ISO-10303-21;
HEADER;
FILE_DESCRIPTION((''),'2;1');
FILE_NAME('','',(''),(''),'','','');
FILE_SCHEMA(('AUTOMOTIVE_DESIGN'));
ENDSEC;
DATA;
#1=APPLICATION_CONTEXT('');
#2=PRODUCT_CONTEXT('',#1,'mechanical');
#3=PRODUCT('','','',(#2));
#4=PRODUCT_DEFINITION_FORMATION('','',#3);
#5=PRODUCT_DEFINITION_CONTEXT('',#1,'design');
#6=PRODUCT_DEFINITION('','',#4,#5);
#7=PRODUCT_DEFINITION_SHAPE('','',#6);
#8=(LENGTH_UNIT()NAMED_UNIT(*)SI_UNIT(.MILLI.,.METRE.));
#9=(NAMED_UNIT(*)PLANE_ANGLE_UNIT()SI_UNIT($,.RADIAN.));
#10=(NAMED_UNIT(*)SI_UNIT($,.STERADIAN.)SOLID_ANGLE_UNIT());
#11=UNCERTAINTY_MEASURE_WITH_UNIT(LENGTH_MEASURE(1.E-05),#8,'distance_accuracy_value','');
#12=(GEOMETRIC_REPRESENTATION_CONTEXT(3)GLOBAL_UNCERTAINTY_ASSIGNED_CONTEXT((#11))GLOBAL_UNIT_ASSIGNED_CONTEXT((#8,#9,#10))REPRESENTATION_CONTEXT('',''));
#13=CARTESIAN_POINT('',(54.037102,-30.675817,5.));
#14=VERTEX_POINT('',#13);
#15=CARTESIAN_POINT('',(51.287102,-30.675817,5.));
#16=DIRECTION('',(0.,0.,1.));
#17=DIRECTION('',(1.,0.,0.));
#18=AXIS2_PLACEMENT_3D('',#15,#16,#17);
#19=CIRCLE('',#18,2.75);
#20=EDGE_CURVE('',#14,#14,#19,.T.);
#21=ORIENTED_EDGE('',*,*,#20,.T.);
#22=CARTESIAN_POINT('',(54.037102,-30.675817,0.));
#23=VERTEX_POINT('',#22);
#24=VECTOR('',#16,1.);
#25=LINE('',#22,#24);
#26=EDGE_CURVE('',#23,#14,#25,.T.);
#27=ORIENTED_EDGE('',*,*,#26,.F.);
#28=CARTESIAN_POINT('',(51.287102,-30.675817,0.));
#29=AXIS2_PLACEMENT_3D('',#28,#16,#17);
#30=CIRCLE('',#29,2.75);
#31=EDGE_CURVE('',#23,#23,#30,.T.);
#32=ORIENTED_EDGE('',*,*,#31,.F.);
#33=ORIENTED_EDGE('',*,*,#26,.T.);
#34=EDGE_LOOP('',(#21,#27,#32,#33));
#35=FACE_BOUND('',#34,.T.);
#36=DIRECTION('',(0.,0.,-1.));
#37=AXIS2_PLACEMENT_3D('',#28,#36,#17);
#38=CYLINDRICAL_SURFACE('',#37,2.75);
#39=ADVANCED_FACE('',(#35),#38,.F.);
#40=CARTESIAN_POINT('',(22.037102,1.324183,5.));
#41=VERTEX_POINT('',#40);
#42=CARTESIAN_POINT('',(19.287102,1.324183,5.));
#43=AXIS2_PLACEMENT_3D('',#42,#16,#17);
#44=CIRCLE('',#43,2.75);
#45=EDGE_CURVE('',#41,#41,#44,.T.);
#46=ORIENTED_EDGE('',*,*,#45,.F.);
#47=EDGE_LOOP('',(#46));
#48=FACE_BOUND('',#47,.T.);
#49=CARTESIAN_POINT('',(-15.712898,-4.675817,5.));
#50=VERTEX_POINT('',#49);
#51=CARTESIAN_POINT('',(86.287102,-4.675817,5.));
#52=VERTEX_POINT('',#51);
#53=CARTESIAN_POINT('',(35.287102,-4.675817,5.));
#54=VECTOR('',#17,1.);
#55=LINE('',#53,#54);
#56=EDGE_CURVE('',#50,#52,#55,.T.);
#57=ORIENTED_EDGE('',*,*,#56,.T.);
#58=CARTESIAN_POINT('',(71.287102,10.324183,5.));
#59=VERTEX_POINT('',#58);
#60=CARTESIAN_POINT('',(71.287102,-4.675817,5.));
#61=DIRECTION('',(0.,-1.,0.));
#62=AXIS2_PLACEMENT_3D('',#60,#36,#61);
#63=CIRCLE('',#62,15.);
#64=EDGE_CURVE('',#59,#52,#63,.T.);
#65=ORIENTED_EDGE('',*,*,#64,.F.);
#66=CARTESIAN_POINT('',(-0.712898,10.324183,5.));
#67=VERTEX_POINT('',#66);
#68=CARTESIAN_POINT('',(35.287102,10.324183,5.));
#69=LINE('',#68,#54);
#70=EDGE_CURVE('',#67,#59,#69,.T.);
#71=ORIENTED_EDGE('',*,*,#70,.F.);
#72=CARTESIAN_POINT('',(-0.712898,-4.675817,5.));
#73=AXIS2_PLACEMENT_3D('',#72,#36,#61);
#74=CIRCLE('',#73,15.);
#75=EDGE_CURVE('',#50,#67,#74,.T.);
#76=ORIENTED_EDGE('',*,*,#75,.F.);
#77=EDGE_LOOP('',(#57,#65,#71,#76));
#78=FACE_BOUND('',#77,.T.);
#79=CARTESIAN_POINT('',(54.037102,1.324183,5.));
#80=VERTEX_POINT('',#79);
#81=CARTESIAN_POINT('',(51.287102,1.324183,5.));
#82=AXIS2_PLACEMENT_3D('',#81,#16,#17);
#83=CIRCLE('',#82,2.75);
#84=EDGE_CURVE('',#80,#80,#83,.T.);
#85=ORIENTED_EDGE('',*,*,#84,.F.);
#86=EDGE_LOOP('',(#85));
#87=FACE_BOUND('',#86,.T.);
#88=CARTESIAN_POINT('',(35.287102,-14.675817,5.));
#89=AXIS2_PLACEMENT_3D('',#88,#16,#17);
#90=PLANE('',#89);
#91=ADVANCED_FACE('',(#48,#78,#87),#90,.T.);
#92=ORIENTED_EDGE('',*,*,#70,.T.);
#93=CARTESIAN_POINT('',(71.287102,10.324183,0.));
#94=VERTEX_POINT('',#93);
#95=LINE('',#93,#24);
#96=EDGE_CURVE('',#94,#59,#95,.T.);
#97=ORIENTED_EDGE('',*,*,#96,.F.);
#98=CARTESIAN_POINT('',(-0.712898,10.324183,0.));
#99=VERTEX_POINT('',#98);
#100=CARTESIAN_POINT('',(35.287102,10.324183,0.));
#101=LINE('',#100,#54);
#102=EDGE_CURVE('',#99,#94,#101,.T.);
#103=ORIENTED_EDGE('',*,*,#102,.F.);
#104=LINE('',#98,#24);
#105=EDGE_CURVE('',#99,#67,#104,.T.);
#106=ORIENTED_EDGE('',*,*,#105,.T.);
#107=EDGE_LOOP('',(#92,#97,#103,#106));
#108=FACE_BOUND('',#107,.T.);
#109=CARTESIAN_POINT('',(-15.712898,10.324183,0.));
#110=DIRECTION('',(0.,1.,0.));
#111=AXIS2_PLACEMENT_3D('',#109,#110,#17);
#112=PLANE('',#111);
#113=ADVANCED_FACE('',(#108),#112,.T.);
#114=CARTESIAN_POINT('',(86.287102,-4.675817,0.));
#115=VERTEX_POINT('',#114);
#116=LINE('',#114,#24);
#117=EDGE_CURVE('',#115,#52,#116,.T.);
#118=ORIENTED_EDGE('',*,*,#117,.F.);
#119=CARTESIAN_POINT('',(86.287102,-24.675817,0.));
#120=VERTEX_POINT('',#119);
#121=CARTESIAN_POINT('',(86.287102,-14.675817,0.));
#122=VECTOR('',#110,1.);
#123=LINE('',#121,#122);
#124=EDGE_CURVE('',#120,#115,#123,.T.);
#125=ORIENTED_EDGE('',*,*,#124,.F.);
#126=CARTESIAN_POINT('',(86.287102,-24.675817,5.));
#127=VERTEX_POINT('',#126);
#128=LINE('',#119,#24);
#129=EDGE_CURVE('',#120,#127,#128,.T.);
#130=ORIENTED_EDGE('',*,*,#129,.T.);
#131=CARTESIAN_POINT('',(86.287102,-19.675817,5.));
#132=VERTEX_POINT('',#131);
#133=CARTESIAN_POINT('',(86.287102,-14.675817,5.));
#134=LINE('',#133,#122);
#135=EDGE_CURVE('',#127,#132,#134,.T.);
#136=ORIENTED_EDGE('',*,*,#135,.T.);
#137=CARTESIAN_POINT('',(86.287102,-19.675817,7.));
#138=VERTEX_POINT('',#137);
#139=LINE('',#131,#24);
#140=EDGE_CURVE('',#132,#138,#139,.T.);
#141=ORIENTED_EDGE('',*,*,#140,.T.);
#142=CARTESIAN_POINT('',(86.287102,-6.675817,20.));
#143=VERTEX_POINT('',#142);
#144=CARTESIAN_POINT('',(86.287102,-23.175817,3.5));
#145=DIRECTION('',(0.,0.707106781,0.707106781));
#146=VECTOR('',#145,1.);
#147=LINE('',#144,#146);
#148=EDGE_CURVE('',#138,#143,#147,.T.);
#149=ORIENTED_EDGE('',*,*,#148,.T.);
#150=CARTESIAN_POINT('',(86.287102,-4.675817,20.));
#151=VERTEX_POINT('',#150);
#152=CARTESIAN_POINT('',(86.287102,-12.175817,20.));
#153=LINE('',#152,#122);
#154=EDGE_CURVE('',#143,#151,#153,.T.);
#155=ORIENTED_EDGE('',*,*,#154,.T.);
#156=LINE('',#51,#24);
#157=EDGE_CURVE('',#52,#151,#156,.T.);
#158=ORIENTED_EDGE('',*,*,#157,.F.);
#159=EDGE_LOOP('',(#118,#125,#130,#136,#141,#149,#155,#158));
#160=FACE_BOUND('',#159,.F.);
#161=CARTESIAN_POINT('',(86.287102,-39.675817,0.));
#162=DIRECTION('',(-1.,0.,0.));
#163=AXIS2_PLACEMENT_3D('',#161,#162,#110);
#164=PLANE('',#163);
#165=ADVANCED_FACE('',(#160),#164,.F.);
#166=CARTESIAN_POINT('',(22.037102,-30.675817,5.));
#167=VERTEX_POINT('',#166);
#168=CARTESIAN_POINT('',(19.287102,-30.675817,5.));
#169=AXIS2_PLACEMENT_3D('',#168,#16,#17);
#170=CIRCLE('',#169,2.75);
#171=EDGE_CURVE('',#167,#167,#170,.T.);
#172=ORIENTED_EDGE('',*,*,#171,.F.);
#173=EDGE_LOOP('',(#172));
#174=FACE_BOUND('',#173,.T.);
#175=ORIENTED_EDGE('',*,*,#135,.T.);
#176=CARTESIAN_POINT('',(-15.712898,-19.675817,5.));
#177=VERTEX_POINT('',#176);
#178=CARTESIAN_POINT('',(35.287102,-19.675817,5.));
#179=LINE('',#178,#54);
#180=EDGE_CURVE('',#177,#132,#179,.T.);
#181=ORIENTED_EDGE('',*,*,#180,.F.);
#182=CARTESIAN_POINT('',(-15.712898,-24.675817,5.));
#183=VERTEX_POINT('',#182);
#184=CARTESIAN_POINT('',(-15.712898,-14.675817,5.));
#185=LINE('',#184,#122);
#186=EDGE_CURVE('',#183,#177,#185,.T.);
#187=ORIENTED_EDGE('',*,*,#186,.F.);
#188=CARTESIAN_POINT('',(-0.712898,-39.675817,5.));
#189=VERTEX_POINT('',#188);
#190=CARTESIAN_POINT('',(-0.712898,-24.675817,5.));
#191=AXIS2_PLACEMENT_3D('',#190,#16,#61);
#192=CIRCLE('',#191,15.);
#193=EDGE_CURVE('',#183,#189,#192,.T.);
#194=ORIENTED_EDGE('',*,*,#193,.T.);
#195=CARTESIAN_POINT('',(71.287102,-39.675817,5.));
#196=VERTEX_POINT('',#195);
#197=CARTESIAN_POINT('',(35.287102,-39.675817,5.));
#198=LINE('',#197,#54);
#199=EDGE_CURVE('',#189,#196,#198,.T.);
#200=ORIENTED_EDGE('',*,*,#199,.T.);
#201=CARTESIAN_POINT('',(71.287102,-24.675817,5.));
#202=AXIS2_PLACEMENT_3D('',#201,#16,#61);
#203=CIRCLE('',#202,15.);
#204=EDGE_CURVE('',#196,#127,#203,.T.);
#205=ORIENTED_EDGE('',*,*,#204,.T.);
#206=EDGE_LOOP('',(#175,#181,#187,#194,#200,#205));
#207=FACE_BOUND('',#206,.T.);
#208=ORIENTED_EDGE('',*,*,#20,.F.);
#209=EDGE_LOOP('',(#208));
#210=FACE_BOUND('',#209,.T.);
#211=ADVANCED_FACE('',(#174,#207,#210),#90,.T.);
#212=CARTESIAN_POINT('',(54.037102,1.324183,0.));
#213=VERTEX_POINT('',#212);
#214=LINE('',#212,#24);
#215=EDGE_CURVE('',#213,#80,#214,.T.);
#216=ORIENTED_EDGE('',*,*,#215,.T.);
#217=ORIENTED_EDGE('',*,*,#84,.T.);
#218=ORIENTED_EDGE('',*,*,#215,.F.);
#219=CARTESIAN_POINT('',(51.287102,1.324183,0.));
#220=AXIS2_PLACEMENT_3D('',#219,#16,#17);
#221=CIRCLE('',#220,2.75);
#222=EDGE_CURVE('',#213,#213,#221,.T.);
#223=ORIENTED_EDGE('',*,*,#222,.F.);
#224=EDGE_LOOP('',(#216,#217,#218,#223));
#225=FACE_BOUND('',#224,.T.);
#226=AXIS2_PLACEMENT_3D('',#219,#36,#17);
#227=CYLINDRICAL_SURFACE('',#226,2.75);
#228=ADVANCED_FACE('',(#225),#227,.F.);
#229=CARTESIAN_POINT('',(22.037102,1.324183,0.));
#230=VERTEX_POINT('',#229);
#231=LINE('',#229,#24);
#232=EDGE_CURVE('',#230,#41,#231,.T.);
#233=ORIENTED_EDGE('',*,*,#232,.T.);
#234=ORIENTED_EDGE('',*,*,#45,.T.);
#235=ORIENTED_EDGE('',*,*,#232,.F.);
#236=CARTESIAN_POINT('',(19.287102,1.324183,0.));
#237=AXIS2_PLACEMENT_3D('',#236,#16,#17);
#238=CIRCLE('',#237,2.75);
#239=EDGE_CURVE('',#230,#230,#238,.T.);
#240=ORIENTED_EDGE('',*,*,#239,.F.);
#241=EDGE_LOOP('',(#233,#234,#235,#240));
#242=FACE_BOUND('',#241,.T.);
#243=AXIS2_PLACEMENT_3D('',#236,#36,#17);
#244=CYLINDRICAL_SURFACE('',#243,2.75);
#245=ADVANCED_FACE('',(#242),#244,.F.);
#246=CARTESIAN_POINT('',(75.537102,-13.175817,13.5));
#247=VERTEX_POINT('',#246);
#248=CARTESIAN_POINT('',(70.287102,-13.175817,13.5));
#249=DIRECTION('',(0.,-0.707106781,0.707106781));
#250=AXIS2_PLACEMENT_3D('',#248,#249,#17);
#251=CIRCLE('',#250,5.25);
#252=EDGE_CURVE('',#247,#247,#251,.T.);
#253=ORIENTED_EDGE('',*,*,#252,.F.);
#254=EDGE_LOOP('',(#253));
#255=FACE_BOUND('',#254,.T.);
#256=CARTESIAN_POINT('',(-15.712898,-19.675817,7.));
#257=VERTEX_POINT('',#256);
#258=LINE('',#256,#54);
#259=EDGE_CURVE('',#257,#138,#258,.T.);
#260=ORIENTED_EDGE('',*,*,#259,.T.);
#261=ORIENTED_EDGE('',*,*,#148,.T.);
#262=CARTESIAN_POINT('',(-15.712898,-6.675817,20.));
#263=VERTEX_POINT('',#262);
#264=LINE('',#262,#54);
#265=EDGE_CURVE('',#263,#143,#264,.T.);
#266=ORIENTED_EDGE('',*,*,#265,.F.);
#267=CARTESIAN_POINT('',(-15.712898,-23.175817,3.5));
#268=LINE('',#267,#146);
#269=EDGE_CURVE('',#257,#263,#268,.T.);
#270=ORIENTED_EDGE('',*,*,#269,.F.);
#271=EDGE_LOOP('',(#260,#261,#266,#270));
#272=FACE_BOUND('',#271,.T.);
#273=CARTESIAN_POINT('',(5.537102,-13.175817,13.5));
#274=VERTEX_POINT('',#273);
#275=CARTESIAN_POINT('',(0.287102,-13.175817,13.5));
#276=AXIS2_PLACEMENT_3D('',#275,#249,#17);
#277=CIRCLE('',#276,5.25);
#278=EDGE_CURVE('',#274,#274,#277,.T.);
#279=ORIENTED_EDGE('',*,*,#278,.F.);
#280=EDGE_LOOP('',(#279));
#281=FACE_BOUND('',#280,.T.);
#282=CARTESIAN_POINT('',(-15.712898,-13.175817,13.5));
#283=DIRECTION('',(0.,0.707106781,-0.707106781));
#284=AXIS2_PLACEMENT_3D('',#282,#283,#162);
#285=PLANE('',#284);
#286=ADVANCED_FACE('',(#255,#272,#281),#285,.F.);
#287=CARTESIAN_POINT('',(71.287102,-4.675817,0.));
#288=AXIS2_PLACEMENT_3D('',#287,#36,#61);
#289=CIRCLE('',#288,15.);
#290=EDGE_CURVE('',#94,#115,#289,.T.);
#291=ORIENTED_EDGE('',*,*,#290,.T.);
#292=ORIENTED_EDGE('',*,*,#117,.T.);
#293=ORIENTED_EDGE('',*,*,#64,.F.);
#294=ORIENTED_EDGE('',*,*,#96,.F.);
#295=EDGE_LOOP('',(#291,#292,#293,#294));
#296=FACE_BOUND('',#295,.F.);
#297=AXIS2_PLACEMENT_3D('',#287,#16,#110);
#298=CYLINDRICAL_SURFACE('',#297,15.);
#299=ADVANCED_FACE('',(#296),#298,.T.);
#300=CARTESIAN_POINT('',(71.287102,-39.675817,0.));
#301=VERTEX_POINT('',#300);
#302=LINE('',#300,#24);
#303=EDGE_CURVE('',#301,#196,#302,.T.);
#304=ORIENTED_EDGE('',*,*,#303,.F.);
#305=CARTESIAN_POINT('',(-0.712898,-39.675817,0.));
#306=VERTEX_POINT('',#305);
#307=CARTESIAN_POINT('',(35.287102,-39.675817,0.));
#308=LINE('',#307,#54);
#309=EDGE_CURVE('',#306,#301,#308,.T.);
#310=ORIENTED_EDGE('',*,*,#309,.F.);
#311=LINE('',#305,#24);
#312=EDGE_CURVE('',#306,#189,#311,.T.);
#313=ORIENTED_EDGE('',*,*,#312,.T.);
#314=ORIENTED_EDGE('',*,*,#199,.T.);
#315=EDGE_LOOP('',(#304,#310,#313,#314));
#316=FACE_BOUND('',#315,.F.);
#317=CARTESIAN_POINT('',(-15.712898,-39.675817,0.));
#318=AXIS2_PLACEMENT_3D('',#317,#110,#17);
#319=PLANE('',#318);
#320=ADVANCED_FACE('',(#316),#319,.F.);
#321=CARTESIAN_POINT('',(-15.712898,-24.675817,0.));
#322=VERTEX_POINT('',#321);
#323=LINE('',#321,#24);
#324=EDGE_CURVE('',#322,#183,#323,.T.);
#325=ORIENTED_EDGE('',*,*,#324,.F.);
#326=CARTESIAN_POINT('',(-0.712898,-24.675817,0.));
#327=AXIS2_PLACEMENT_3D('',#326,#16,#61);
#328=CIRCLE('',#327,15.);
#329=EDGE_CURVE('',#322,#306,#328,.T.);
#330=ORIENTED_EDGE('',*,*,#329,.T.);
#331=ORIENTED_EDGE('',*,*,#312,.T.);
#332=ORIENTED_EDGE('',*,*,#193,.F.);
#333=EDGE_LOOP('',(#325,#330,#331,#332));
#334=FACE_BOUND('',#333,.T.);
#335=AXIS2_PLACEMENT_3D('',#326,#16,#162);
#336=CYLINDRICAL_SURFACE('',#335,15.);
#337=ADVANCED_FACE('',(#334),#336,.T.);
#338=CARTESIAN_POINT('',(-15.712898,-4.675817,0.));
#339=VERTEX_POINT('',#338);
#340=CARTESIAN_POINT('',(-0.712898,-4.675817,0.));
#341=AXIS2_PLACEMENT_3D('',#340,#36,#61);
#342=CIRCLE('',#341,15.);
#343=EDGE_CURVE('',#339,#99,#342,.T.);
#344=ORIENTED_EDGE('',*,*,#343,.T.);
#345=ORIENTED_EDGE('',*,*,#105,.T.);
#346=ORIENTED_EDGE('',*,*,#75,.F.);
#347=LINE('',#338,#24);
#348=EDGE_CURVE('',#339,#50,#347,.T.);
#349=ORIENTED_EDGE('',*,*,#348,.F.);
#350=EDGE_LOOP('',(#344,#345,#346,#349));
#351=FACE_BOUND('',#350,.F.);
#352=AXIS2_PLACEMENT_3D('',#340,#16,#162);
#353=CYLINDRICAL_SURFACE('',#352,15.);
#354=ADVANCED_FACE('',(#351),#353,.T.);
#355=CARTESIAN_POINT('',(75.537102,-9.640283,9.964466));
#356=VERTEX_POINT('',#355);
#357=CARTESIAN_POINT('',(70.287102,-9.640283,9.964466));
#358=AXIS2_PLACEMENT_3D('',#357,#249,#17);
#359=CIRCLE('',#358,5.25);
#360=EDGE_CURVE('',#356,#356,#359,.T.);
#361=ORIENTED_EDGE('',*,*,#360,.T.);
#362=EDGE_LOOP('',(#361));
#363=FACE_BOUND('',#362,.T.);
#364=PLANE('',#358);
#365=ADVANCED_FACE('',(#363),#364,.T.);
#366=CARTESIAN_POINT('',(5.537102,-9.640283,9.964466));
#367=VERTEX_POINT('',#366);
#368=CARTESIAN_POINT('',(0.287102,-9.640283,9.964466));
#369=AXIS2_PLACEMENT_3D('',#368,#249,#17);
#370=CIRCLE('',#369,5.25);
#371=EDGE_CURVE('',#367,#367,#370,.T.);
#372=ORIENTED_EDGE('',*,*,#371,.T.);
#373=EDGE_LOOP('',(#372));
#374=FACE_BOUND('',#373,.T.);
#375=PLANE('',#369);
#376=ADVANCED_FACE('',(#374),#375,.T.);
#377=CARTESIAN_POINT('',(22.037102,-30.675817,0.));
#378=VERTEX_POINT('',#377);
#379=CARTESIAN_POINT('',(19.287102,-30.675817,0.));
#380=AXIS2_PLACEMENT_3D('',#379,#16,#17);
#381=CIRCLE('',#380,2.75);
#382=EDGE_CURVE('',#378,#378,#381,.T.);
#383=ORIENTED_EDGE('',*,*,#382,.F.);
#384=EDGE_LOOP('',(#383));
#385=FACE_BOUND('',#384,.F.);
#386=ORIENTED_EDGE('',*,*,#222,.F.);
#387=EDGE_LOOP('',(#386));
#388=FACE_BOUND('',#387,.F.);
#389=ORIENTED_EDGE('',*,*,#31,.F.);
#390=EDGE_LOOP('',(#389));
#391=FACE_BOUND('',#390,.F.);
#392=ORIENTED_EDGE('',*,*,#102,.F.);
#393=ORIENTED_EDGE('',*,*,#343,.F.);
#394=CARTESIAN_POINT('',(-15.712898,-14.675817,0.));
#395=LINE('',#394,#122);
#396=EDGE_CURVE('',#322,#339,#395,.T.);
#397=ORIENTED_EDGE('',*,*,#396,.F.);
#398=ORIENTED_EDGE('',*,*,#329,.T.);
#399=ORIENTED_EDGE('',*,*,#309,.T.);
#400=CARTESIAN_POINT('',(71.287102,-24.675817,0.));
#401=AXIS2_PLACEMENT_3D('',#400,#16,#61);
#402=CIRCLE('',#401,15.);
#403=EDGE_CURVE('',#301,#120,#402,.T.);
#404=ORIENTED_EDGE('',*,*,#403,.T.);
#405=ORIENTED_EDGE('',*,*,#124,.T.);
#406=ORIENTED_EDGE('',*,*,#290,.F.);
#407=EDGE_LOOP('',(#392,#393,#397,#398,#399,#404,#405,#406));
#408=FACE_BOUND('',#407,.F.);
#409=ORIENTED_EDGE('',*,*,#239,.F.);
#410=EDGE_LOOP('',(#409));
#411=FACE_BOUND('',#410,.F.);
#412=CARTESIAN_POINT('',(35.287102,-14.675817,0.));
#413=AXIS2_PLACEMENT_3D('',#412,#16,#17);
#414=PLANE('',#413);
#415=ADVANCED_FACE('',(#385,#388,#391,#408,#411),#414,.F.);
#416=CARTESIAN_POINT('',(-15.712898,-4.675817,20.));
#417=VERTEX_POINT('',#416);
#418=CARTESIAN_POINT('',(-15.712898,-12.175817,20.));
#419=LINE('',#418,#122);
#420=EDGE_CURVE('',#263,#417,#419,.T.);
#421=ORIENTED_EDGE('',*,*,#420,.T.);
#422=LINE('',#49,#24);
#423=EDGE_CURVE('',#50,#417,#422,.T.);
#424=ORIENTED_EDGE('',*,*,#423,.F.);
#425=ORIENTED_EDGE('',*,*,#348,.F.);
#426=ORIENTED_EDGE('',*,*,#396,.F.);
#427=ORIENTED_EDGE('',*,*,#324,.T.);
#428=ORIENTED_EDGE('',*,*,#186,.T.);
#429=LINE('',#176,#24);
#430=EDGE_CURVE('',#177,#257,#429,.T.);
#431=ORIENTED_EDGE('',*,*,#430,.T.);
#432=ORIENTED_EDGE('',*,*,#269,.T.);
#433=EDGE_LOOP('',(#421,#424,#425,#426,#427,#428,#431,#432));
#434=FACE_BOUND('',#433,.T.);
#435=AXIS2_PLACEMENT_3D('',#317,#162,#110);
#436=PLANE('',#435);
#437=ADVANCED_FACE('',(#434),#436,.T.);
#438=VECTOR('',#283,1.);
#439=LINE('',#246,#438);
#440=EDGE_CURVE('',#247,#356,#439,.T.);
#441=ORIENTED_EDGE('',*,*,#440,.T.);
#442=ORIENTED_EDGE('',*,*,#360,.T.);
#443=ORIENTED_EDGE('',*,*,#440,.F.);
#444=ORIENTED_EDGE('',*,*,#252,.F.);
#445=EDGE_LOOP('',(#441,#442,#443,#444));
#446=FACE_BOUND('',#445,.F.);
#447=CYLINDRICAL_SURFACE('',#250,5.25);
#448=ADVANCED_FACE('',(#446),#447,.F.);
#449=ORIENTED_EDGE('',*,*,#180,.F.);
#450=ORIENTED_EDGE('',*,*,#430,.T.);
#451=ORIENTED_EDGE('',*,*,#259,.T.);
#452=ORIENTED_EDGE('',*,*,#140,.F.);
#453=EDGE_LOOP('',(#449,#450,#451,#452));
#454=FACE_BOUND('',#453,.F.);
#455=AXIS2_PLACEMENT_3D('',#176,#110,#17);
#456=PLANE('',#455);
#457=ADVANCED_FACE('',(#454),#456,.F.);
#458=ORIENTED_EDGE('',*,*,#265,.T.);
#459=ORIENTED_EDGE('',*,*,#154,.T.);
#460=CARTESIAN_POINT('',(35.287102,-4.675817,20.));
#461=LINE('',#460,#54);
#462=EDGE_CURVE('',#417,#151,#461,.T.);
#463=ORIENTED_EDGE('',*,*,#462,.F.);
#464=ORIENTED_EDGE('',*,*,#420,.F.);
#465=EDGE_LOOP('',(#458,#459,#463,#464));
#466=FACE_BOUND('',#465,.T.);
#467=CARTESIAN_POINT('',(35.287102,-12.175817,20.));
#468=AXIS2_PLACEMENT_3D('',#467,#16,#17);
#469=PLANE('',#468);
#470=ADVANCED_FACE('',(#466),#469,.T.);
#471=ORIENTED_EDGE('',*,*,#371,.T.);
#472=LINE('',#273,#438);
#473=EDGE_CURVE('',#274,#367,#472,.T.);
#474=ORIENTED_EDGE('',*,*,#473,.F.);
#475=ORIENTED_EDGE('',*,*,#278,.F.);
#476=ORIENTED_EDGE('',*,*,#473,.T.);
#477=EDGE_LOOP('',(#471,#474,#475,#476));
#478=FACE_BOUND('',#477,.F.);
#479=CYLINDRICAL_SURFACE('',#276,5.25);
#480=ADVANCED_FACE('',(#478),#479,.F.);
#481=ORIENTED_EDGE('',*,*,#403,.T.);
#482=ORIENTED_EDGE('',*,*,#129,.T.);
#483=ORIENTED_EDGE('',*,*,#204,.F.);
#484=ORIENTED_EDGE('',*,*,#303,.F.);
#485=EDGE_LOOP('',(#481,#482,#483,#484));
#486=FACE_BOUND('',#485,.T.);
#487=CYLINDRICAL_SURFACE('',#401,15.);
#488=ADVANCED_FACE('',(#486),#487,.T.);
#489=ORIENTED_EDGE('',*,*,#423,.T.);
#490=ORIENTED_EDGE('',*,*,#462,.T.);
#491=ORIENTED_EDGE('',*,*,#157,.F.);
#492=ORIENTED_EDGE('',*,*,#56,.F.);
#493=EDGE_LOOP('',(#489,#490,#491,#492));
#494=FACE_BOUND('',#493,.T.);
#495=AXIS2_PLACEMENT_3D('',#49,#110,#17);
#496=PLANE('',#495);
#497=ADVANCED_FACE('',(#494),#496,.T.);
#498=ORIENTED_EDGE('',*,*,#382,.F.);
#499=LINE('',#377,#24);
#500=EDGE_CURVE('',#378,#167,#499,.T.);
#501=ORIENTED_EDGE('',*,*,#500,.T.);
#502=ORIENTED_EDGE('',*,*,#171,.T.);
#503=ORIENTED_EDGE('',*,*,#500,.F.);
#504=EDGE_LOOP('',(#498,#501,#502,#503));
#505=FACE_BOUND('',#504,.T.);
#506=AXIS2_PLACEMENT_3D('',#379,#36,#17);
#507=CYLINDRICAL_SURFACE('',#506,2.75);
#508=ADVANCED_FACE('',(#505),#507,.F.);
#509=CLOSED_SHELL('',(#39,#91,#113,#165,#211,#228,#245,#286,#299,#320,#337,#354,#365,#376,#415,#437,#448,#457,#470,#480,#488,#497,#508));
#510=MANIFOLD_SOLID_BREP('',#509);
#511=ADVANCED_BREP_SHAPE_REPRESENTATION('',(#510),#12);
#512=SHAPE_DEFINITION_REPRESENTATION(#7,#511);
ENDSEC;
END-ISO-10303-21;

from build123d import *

# Parameters (mm, degrees)
F0_W     = 102
F0_H     = 50
F0_R     = 2.75
F1_DEPTH = 5
F2_W     = 102
F2_H     = 15
F3_DEPTH = 15
F4_SIZE  = 13
F5_R     = 15
F6_R     = 5.25
F7_DEPTH = 5


with BuildPart() as f1:
    # F0 (on Top) → F1 (new body)
    with BuildSketch(Plane.XY):
        with Locations((35.2871024236, -14.6758168936)):
            Rectangle(F0_W, F0_H)
        with Locations((19.2871024236, -30.6758168936)):
            Circle(F0_R, mode=Mode.SUBTRACT)
        with Locations((51.2871024236, -30.6758168936)):
            Circle(F0_R, mode=Mode.SUBTRACT)
        with Locations((19.2871024236, 1.3241831064)):
            Circle(F0_R, mode=Mode.SUBTRACT)
        with Locations((51.2871024236, 1.3241831064)):
            Circle(F0_R, mode=Mode.SUBTRACT)
    extrude(amount=F1_DEPTH)

    # F2 (on face) → F3 (join)
    with BuildSketch(Plane.XY.offset(5)):
        with Locations((35.2871024236, -12.1758168936)):
            Rectangle(F2_W, F2_H)
    extrude(amount=F3_DEPTH)

    # F4
    f4_edges = [f1.edges().sort_by_distance(p)[0] for p in [
        (35.287102, -19.675817, 20),
    ]]
    chamfer(f4_edges, length=F4_SIZE)

    # F5
    f5_edges = [f1.edges().sort_by_distance(p)[0] for p in [
        (86.287102, 10.324183, 2.5),
        (-15.712898, 10.324183, 2.5),
        (86.287102, -39.675817, 2.5),
        (-15.712898, -39.675817, 2.5),
    ]]
    fillet(f5_edges, radius=F5_R)

    # F6 (on face) → F7 (cut)
    with BuildSketch(Plane(origin=(0, -13.3379084468, 13.3379084468), x_dir=(1, 0, 0), z_dir=(0, -0.7071067812, 0.7071067812))):
        with Locations((0.2871024236, 0.2292320729)):
            Circle(F6_R)
        with Locations((70.2871024236, 0.2292320729)):
            Circle(F6_R)
    extrude(amount=-F7_DEPTH, mode=Mode.SUBTRACT)


solid = f1.part
